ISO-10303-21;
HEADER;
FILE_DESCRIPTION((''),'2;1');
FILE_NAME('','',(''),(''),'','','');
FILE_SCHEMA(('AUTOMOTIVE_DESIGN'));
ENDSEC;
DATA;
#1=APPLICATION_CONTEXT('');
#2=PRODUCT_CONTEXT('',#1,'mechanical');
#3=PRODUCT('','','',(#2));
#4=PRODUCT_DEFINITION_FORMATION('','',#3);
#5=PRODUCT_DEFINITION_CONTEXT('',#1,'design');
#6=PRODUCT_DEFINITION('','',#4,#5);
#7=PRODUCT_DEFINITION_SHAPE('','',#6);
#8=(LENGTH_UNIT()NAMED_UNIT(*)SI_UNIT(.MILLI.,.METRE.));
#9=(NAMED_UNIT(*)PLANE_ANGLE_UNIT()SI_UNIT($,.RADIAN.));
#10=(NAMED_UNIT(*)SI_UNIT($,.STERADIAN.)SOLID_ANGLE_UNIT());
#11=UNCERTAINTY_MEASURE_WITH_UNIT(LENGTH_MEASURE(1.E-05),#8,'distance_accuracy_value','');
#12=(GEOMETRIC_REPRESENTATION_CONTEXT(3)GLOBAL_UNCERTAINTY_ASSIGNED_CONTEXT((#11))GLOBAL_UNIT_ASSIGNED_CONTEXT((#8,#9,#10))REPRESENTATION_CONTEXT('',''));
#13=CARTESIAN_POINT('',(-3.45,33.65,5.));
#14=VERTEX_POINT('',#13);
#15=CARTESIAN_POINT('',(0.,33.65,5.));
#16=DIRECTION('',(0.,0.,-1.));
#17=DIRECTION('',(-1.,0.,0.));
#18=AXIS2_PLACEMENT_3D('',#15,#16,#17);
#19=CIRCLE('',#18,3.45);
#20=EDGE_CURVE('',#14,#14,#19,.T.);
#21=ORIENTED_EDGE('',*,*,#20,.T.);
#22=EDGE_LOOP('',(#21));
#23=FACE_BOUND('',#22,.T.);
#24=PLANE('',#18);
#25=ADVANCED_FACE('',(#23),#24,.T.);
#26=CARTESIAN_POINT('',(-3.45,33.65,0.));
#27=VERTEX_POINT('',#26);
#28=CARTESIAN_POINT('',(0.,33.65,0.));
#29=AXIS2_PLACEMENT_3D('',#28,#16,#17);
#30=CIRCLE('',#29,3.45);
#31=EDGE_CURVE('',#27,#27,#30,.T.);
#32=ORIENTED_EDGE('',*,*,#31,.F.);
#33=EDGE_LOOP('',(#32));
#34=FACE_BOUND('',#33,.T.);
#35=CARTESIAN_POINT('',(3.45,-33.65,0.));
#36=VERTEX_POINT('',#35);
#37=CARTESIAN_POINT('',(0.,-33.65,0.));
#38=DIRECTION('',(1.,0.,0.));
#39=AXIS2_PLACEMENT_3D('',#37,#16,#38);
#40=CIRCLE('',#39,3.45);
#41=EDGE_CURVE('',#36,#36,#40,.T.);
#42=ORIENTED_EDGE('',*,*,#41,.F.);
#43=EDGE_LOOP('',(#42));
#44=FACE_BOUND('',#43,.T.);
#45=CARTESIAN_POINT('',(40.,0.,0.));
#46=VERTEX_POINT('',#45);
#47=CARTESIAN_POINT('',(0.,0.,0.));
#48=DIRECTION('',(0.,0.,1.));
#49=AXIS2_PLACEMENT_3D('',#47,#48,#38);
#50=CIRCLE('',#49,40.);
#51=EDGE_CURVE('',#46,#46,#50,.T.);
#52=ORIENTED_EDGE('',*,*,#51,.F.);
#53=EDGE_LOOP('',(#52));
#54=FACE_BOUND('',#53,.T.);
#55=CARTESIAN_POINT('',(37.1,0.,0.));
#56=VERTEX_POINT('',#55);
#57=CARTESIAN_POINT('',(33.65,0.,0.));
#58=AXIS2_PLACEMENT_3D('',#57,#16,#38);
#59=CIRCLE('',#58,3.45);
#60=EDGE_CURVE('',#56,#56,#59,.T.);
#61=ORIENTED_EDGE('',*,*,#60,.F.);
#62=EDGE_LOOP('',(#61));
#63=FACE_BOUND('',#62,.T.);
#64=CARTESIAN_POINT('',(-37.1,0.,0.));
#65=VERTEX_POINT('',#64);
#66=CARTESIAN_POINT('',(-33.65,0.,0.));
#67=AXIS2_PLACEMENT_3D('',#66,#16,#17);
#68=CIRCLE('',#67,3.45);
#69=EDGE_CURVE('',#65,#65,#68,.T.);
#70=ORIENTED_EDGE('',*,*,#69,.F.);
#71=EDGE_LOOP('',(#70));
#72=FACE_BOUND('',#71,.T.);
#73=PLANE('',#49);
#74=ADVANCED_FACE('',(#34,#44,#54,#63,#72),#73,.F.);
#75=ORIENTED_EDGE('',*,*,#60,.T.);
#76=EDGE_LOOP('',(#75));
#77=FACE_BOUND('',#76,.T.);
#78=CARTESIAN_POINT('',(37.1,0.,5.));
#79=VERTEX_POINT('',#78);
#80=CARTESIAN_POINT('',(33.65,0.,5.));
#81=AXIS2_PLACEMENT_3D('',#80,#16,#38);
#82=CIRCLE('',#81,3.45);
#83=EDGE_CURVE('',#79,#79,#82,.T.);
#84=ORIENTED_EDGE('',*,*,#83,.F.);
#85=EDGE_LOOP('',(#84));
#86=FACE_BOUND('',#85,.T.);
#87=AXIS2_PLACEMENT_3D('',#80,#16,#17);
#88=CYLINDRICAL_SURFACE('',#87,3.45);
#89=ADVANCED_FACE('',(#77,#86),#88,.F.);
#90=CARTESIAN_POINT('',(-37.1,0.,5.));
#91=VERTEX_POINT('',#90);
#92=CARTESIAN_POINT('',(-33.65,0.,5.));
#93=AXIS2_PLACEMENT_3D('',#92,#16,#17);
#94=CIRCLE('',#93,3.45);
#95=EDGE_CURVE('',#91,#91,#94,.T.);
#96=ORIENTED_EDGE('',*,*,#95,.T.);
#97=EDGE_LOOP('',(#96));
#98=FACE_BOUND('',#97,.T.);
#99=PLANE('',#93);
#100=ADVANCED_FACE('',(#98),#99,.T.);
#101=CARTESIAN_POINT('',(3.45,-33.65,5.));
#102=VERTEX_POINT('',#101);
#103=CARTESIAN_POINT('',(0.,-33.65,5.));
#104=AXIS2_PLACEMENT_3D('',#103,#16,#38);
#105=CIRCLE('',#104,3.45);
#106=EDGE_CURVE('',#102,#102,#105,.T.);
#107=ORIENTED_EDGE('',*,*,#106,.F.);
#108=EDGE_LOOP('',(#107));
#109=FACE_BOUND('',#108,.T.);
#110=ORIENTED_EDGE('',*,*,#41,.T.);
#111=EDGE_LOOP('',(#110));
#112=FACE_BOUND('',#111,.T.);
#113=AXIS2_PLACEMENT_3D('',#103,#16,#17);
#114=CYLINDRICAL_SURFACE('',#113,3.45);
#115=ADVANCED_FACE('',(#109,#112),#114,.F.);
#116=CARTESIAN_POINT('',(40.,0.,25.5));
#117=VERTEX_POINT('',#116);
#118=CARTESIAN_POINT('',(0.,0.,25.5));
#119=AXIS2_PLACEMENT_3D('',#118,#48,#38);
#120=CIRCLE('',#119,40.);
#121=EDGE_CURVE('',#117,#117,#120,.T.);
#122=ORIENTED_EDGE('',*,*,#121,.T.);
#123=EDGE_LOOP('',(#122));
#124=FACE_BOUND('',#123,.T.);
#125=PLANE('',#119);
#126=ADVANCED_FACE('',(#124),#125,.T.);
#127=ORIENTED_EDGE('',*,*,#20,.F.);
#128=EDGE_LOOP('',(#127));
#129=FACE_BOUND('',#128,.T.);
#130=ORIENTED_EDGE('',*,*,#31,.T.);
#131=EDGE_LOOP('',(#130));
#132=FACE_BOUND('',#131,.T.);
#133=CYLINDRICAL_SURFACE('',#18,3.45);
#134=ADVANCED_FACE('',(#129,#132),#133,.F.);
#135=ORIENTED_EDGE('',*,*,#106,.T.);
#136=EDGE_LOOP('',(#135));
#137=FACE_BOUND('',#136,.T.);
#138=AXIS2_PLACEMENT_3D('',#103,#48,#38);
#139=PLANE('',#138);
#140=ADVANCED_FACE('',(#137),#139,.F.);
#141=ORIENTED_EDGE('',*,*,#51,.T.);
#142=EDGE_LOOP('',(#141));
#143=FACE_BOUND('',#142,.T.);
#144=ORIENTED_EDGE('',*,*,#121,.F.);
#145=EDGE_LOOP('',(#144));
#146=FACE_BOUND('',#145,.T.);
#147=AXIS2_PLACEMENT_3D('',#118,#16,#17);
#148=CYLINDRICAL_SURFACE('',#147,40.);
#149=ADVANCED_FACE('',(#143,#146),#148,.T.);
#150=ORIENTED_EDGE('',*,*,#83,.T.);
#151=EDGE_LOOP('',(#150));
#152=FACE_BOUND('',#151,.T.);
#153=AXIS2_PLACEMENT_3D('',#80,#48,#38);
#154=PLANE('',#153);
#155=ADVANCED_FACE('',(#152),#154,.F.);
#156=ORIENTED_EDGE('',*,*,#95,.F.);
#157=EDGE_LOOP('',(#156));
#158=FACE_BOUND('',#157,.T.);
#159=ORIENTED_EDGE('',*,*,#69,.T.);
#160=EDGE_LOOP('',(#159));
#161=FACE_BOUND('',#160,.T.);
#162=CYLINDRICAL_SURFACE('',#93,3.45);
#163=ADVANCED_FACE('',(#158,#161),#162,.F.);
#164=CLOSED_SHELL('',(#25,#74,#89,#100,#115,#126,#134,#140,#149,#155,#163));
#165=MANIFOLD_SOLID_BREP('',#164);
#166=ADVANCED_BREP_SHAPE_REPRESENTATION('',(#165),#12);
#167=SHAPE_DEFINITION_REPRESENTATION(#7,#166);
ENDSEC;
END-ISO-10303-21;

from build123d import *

# Parameters (mm, degrees)
SKETCH1_R           = 40
BOSS_EXTRUDE1_DEPTH = 25.5
SKETCH2_R           = 3.45
CUT_EXTRUDE1_DEPTH  = 5


with BuildPart() as part:
    # Sketch1 → Boss-Extrude1 (new body)
    with BuildSketch(Plane.XY):
        Circle(SKETCH1_R)
    extrude(amount=BOSS_EXTRUDE1_DEPTH)

    # Sketch2 → Cut-Extrude1 (cut)
    with BuildSketch(Plane(origin=(0, 0, 0), x_dir=(-1, 0, 0), z_dir=(0, 0, -1))):
        with Locations((0, 33.65)):
            Circle(SKETCH2_R)
        with Locations((33.65, 0)):
            Circle(SKETCH2_R)
        with Locations(Location((0, -33.65, 0), (0, 0, 180))):
            Circle(SKETCH2_R)
        with Locations(Location((-33.65, 0, 0), (0, 0, 180))):
            Circle(SKETCH2_R)
    extrude(amount=-CUT_EXTRUDE1_DEPTH, mode=Mode.SUBTRACT)


solid = part.part
